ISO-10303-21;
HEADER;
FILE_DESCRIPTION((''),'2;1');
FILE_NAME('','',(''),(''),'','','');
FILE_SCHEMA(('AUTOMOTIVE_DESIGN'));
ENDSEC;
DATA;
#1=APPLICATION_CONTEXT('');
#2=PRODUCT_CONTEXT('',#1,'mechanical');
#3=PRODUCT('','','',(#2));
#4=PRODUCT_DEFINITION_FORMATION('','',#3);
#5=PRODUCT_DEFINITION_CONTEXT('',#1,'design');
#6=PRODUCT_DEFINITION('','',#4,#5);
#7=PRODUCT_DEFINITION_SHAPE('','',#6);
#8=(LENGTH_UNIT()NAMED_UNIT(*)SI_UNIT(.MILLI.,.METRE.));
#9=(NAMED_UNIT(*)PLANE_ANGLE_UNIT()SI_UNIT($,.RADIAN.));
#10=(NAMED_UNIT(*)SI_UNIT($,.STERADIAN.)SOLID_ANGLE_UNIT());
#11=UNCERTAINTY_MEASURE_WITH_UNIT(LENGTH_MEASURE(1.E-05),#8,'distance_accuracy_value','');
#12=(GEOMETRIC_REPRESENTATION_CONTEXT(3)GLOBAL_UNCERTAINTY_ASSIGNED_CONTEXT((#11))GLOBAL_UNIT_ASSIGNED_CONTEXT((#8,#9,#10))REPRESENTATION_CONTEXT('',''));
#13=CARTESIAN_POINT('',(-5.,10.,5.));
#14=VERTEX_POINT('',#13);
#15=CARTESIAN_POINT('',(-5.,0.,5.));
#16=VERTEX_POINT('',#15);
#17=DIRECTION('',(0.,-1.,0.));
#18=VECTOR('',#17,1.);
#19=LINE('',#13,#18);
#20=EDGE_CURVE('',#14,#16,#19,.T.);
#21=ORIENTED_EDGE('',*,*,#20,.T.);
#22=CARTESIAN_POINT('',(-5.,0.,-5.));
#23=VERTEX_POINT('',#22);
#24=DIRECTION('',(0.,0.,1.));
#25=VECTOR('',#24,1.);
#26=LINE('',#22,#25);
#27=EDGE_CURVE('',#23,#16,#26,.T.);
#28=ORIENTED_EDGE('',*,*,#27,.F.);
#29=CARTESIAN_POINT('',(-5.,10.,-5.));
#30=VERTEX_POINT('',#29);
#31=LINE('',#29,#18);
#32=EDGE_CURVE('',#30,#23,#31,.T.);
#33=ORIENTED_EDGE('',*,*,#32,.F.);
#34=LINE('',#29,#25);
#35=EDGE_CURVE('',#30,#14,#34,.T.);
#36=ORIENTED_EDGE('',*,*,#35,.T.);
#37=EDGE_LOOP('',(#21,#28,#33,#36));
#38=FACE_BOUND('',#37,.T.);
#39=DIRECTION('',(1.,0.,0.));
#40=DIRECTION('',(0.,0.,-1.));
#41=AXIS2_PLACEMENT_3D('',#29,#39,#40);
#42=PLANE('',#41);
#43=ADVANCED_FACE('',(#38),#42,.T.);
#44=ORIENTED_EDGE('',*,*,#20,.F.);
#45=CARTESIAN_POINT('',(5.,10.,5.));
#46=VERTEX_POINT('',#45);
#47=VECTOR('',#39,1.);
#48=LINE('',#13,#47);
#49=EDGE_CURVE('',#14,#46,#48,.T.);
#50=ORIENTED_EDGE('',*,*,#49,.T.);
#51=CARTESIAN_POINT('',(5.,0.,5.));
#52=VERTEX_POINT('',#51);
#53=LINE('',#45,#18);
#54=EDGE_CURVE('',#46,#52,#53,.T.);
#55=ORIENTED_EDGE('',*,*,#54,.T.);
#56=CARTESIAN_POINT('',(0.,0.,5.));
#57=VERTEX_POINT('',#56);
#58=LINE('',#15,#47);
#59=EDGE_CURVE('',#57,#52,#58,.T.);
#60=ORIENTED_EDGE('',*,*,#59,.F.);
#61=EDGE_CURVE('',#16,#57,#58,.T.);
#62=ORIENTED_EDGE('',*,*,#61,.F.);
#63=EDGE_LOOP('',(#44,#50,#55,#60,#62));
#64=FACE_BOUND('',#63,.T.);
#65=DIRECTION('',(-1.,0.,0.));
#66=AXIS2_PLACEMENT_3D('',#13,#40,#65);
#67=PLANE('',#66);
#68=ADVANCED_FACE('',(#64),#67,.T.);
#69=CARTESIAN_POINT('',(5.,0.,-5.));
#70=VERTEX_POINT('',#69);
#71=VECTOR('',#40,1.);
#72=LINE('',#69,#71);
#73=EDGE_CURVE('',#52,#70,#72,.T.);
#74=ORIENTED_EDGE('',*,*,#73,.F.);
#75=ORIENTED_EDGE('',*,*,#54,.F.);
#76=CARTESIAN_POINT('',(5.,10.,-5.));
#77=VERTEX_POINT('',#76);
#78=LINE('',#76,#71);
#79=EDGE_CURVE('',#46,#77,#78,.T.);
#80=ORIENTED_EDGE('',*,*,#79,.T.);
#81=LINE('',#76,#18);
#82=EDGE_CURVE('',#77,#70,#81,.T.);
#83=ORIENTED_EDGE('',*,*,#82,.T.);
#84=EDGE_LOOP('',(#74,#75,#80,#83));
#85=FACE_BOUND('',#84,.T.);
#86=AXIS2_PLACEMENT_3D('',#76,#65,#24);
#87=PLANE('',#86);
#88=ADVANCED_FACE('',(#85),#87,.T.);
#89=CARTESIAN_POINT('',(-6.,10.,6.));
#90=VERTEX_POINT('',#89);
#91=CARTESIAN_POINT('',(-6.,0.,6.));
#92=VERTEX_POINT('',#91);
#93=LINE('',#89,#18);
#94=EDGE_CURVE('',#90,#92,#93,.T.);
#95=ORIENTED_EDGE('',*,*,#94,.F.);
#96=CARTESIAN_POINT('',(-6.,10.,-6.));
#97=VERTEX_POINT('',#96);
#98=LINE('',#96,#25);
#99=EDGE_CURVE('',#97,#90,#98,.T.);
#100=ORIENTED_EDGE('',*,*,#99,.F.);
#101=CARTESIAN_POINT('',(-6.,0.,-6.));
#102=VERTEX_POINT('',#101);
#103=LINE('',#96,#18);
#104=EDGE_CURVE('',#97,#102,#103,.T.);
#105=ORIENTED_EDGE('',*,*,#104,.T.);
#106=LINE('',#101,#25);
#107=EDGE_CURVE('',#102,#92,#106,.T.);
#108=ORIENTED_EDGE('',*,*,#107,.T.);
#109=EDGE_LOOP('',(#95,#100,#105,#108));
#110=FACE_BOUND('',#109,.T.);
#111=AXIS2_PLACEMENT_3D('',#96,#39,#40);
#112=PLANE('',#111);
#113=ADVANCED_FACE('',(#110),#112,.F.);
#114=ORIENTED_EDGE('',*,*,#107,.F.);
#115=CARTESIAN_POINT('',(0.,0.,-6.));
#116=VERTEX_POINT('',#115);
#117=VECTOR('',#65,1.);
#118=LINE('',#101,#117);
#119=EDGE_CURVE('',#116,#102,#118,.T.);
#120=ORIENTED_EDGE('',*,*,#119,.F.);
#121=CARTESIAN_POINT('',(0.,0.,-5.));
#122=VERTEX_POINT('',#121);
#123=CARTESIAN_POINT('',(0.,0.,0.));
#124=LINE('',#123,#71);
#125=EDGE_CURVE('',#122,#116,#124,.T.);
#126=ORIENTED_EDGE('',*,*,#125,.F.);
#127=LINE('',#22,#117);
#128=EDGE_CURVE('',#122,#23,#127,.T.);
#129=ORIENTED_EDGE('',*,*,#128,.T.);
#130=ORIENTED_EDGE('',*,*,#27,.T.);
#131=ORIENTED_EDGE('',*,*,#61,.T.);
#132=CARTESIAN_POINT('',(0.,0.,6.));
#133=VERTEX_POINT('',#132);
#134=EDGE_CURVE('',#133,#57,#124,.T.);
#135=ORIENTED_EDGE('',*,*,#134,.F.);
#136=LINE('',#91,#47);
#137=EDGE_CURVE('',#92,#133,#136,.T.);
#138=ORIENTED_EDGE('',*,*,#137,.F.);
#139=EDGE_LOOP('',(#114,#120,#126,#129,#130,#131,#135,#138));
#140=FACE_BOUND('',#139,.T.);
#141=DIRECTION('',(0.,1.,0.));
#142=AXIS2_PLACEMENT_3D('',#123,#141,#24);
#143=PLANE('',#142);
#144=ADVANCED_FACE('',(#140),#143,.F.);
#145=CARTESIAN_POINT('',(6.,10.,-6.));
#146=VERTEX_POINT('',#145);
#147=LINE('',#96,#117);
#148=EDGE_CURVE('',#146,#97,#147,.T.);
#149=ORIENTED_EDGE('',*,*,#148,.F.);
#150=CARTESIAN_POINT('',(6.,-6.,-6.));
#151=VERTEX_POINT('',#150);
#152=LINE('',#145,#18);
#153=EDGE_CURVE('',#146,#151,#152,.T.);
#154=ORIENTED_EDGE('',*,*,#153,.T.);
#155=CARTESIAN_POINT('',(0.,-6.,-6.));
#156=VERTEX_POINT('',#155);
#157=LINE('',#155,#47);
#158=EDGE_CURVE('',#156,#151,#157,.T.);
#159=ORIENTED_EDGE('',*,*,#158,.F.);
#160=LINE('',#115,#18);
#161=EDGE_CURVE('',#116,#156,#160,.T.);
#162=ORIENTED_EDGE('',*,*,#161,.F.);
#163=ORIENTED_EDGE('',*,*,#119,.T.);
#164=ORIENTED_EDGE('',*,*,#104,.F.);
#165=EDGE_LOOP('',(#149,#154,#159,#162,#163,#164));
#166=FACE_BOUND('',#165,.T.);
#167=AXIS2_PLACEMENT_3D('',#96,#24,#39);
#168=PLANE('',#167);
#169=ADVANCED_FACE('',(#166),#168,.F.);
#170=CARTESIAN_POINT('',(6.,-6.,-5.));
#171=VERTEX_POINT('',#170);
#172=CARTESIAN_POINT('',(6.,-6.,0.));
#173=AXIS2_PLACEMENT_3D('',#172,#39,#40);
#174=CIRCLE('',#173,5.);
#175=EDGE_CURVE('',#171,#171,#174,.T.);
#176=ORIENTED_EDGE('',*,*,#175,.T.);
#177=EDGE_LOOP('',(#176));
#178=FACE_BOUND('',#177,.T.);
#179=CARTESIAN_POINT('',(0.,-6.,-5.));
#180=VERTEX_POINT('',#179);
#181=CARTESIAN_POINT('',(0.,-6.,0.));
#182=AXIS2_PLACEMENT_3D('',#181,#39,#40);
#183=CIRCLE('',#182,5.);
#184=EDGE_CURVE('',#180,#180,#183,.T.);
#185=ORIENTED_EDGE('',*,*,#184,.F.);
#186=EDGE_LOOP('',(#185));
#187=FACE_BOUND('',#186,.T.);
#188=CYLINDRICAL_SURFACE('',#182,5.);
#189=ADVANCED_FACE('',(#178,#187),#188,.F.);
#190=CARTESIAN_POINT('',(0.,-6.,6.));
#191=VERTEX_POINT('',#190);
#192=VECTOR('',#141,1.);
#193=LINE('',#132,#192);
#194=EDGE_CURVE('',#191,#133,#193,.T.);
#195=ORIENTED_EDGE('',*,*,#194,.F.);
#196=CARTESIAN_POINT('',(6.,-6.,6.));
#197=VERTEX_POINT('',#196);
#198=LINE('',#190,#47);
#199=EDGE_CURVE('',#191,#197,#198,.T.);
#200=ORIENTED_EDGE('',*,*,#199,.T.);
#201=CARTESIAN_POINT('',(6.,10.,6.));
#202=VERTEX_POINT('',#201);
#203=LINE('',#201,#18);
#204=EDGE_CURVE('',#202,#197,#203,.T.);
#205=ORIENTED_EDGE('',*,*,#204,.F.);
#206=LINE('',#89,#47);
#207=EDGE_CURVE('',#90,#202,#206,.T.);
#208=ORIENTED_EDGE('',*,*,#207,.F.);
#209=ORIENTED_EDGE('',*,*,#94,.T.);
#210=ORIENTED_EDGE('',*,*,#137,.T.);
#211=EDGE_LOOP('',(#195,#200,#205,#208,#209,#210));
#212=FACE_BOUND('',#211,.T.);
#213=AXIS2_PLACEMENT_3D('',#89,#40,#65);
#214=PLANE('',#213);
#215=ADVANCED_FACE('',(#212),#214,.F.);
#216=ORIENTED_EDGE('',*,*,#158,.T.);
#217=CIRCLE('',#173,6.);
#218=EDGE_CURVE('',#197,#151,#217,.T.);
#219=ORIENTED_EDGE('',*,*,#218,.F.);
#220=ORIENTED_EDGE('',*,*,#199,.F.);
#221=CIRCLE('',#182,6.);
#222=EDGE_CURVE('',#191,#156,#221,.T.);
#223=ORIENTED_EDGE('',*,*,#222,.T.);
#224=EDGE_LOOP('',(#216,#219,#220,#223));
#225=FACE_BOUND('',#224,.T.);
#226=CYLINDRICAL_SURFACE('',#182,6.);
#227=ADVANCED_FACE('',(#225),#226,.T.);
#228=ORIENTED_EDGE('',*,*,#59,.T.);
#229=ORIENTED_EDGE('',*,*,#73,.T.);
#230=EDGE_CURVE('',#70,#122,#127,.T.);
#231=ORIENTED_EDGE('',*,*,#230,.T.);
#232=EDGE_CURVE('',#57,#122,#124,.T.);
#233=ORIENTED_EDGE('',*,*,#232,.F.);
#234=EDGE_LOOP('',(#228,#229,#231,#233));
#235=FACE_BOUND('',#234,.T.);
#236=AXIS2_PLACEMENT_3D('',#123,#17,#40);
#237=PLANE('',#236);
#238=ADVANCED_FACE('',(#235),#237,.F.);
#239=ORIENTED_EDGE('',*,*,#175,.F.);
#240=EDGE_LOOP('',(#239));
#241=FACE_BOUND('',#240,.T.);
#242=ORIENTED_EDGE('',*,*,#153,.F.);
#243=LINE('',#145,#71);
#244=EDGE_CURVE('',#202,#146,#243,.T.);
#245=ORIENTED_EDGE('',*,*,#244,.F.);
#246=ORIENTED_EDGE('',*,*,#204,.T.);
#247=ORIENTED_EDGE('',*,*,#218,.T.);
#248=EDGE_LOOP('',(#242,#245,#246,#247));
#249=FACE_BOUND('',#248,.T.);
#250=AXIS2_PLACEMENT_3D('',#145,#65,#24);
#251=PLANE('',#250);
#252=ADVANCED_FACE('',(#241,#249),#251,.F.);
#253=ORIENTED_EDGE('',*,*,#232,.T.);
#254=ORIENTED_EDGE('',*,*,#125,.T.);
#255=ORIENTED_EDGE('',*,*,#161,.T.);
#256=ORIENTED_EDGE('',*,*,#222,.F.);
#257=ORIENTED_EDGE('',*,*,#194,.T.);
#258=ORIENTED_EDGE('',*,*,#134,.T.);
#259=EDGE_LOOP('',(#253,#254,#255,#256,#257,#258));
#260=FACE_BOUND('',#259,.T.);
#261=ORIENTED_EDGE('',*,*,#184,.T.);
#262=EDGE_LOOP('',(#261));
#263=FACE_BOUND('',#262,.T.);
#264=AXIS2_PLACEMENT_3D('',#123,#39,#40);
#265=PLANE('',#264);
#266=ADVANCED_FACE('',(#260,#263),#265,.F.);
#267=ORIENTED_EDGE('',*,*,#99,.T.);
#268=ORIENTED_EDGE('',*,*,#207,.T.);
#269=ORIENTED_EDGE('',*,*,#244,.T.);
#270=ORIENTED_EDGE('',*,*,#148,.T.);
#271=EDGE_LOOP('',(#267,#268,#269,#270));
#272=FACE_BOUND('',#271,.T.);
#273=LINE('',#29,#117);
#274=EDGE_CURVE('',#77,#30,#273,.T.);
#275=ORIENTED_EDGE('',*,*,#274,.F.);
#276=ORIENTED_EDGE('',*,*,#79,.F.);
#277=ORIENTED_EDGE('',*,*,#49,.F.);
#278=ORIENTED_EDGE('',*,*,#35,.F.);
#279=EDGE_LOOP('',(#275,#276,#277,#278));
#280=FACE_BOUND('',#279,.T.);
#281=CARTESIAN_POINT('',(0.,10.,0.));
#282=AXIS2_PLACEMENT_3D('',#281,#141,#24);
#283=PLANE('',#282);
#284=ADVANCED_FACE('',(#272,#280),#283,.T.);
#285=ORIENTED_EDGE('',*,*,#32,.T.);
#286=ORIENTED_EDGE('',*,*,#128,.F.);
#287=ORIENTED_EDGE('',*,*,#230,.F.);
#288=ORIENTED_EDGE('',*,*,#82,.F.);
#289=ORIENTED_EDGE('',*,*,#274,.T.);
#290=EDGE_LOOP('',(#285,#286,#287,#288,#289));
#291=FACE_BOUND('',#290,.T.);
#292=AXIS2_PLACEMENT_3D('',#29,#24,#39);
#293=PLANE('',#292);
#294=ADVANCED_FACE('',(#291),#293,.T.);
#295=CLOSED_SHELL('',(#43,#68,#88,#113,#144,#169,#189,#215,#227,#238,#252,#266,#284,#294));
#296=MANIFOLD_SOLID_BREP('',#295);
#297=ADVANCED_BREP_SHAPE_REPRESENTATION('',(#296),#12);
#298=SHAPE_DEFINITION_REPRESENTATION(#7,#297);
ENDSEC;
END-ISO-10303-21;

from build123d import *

# Parameters (mm, degrees)
SKETCH_1_W          = 12
SKETCH_1_H          = 12
SKETCH_1_W_2        = 10
SKETCH_1_H_2        = 10
EXTRUDE_1_DEPTH     = 10
EXTRUDE_2_DEPTH     = 6
SKETCH_4_R          = 5
CUT_EXTRUDE_1_DEPTH = 6


with BuildPart() as part:
    # 草图1 → 凸台-拉伸1 (new body)
    with BuildSketch(Plane(origin=(0, 0, 0), x_dir=(1, 0, 0), z_dir=(0, 1, 0))):
        Rectangle(SKETCH_1_W, SKETCH_1_H)
        Rectangle(SKETCH_1_W_2, SKETCH_1_H_2, mode=Mode.SUBTRACT)
    extrude(amount=EXTRUDE_1_DEPTH)

    # 草图3 → 凸台-拉伸2 (add)
    with BuildSketch(Plane(origin=(6, 0, 0), x_dir=(0, 0, -1), z_dir=(1, 0, 0))):
        Polygon((0, -6), (-6, 0), (-6, -6), align=None)
        Polygon((6, 0), (-6, 0), (0, -6), (6, -6), align=None)
        with BuildLine():
            Line((0, -6), (-6, -6))
            ThreePointArc((-6, -6), (-4.242640687, -10.242640687), (0, -12))
            ThreePointArc((0, -12), (2.296100594, -11.543277195), (4.242640687, -10.242640687))
            Line((4.242640687, -10.242640687), (0, -6))
        make_face()
        with BuildLine():
            Line((6, -6), (0, -6))
            Line((0, -6), (4.242640687, -10.242640687))
            ThreePointArc((4.242640687, -10.242640687), (5.543277195, -8.296100594), (6, -6))
        make_face()
    extrude(amount=-EXTRUDE_2_DEPTH)

    # 草图4 → 切除-拉伸1 (cut)
    with BuildSketch(Plane(origin=(6, 0, 0), x_dir=(0, 0, -1), z_dir=(1, 0, 0))):
        with Locations((0, -6)):
            Circle(SKETCH_4_R)
    extrude(amount=-CUT_EXTRUDE_1_DEPTH, mode=Mode.SUBTRACT)


solid = part.part
